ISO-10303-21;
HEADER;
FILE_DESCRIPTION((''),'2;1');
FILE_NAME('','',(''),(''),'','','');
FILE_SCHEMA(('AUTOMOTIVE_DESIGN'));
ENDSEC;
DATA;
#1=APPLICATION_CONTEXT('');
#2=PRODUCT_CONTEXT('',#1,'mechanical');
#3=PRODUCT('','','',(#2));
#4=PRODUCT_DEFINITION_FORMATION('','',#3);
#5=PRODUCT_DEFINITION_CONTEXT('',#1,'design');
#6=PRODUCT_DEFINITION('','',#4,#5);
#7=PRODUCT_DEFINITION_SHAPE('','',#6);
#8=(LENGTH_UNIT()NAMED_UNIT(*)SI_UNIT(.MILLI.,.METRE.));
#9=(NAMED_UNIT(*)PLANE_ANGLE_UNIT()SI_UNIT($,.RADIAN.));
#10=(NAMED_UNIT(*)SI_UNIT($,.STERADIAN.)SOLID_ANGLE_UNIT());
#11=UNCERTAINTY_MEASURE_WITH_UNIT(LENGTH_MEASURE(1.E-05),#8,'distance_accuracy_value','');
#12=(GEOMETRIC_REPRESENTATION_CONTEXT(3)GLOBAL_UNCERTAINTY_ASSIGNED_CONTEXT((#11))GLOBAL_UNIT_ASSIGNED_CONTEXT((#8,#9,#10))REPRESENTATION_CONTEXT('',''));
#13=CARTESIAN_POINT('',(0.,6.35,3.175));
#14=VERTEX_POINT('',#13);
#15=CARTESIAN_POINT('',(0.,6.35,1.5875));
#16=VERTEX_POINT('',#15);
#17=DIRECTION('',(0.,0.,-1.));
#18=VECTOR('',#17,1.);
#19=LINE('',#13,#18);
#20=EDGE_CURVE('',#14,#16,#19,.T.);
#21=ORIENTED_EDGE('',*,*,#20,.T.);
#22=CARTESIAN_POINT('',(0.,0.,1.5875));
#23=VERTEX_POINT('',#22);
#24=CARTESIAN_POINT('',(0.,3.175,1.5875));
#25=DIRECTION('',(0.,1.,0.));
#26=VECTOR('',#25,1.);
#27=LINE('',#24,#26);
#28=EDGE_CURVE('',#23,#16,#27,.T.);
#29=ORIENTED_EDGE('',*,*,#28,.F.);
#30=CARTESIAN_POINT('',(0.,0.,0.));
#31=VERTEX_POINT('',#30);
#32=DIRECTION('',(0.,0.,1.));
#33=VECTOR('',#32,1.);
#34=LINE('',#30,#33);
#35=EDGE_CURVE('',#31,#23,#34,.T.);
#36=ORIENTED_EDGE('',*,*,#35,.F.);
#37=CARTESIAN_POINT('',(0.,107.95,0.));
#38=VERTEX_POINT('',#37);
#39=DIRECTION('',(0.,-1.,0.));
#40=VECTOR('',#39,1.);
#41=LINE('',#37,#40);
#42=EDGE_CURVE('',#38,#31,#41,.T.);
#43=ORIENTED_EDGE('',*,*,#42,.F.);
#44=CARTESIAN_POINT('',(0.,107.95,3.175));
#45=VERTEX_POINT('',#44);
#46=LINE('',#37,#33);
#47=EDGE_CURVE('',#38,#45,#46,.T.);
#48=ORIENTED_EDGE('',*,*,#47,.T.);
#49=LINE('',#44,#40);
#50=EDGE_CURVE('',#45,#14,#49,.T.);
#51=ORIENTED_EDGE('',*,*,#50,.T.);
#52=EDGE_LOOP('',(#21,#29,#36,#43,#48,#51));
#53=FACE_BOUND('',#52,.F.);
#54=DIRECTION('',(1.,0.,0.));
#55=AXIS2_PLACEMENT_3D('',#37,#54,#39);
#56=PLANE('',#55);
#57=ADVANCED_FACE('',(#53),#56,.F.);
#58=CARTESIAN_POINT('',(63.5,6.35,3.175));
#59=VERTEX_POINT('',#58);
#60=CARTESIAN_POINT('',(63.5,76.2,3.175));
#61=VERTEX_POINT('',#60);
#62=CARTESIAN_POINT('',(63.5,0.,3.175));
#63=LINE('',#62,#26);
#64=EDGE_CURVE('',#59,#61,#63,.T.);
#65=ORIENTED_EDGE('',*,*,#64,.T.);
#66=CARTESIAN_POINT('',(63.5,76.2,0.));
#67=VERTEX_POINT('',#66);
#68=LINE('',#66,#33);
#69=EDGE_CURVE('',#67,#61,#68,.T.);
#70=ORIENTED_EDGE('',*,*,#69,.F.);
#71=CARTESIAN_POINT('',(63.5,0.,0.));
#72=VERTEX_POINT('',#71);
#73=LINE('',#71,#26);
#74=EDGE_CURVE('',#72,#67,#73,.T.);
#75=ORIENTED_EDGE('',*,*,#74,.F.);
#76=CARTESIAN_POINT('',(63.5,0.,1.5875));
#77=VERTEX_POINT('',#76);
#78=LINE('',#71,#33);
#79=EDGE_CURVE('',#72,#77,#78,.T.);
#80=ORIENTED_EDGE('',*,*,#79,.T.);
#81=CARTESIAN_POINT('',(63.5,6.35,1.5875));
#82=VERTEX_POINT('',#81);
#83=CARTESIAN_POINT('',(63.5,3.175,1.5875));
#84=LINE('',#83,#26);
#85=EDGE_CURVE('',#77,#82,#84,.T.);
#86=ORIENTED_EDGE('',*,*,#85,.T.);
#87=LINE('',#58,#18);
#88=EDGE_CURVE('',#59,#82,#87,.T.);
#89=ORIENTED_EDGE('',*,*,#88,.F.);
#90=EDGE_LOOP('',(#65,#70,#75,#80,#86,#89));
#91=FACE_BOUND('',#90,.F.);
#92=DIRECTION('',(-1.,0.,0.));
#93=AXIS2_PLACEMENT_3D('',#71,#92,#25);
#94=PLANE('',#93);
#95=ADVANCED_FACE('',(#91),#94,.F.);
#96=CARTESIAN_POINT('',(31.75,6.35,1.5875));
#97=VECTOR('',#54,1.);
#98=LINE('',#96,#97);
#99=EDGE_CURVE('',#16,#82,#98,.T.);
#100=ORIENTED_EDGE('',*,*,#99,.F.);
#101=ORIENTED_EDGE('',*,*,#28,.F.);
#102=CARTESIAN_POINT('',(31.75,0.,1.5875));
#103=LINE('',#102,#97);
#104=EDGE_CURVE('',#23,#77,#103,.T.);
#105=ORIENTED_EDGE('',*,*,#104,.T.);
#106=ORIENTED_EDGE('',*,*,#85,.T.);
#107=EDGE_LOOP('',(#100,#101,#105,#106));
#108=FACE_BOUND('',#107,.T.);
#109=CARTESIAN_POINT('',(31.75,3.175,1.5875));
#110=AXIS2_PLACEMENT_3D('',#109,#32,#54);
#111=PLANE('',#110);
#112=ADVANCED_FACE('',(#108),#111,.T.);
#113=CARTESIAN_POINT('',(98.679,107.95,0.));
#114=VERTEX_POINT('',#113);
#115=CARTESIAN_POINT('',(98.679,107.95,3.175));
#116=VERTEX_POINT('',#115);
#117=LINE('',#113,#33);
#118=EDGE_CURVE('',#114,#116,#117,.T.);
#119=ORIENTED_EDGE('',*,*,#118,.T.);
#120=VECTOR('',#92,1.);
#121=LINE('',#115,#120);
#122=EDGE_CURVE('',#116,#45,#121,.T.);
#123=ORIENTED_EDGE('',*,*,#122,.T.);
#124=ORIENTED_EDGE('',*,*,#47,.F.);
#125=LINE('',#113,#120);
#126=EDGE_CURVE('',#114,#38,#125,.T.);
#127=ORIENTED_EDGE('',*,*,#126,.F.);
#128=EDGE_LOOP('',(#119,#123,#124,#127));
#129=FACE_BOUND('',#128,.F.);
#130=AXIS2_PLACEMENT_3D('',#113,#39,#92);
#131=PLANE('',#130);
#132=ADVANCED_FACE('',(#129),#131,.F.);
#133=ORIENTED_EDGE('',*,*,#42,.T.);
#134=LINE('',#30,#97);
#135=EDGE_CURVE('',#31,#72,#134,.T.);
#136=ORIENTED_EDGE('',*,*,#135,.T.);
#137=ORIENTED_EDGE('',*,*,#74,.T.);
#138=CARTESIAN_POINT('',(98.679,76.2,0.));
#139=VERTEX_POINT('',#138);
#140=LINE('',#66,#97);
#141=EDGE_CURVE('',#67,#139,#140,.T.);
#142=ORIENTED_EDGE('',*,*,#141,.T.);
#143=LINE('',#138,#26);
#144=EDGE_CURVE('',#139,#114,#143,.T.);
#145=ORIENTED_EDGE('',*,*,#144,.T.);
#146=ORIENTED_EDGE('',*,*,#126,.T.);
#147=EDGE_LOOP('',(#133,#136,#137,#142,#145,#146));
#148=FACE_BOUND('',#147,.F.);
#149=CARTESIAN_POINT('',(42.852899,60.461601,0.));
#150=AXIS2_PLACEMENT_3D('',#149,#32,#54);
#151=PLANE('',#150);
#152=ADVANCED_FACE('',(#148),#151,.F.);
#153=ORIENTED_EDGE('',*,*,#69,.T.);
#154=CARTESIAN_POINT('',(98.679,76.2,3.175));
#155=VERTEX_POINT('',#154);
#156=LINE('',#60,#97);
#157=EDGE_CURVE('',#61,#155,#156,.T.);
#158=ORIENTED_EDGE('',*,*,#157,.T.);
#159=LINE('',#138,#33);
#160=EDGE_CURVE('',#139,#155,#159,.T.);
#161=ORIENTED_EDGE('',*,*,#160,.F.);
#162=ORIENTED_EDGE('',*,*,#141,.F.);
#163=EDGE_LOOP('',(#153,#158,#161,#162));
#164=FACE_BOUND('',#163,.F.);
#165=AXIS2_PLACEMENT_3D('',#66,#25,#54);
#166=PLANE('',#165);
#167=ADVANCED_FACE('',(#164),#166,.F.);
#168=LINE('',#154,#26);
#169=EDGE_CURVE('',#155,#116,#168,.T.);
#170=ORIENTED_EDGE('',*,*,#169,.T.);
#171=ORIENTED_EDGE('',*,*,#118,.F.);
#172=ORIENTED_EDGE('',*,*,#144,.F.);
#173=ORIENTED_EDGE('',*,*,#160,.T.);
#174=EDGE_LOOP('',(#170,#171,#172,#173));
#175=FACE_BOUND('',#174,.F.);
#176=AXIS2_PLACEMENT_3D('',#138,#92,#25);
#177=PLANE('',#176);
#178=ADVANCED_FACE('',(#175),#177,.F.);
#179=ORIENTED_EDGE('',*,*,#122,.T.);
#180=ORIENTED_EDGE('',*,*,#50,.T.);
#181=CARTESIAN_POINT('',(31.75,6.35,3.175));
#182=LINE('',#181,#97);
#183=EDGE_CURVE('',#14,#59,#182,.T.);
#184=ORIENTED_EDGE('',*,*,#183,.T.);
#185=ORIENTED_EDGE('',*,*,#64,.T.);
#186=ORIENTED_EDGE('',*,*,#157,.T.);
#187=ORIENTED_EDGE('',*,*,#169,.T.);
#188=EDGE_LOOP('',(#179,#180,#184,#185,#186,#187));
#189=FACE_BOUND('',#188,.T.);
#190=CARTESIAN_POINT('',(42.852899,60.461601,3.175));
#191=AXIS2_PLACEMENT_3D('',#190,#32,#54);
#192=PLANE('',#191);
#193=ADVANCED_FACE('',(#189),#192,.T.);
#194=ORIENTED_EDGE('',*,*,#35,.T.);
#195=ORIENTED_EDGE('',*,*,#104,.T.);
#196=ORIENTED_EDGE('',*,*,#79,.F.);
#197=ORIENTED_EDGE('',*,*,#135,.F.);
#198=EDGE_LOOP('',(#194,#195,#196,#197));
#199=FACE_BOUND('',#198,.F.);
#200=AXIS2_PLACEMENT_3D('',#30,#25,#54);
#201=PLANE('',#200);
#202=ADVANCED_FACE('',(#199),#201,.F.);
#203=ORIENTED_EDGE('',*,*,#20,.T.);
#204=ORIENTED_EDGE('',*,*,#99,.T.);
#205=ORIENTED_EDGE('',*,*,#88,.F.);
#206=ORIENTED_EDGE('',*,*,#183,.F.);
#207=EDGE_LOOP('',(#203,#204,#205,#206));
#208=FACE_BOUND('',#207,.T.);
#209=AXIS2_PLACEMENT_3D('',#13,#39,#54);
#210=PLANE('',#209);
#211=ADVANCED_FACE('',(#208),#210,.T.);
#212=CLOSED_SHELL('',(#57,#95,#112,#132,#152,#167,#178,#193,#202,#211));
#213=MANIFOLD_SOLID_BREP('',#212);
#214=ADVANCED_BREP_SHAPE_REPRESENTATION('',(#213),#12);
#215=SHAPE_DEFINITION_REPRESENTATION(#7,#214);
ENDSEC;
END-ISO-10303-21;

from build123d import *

# Parameters (mm, degrees)
BOSS_EXTRUDE1_DEPTH = 3.175
SKETCH2_W           = 63.5
SKETCH2_H           = 6.35
CUT_EXTRUDE1_DEPTH  = 1.5875


with BuildPart() as part:
    # Sketch1 → Boss-Extrude1 (new body)
    with BuildSketch(Plane.XY):
        Polygon((0, 0), (63.5, 0), (63.5, 76.2), (98.679, 76.2), (98.679, 107.95), (63.5, 107.95), (0, 107.95), align=None)
    extrude(amount=BOSS_EXTRUDE1_DEPTH)

    # Sketch2 → Cut-Extrude1 (cut)
    with BuildSketch(Plane.XY.offset(3.175)):
        with Locations((31.75, 3.175)):
            Rectangle(SKETCH2_W, SKETCH2_H)
    extrude(amount=-CUT_EXTRUDE1_DEPTH, mode=Mode.SUBTRACT)


solid = part.part
